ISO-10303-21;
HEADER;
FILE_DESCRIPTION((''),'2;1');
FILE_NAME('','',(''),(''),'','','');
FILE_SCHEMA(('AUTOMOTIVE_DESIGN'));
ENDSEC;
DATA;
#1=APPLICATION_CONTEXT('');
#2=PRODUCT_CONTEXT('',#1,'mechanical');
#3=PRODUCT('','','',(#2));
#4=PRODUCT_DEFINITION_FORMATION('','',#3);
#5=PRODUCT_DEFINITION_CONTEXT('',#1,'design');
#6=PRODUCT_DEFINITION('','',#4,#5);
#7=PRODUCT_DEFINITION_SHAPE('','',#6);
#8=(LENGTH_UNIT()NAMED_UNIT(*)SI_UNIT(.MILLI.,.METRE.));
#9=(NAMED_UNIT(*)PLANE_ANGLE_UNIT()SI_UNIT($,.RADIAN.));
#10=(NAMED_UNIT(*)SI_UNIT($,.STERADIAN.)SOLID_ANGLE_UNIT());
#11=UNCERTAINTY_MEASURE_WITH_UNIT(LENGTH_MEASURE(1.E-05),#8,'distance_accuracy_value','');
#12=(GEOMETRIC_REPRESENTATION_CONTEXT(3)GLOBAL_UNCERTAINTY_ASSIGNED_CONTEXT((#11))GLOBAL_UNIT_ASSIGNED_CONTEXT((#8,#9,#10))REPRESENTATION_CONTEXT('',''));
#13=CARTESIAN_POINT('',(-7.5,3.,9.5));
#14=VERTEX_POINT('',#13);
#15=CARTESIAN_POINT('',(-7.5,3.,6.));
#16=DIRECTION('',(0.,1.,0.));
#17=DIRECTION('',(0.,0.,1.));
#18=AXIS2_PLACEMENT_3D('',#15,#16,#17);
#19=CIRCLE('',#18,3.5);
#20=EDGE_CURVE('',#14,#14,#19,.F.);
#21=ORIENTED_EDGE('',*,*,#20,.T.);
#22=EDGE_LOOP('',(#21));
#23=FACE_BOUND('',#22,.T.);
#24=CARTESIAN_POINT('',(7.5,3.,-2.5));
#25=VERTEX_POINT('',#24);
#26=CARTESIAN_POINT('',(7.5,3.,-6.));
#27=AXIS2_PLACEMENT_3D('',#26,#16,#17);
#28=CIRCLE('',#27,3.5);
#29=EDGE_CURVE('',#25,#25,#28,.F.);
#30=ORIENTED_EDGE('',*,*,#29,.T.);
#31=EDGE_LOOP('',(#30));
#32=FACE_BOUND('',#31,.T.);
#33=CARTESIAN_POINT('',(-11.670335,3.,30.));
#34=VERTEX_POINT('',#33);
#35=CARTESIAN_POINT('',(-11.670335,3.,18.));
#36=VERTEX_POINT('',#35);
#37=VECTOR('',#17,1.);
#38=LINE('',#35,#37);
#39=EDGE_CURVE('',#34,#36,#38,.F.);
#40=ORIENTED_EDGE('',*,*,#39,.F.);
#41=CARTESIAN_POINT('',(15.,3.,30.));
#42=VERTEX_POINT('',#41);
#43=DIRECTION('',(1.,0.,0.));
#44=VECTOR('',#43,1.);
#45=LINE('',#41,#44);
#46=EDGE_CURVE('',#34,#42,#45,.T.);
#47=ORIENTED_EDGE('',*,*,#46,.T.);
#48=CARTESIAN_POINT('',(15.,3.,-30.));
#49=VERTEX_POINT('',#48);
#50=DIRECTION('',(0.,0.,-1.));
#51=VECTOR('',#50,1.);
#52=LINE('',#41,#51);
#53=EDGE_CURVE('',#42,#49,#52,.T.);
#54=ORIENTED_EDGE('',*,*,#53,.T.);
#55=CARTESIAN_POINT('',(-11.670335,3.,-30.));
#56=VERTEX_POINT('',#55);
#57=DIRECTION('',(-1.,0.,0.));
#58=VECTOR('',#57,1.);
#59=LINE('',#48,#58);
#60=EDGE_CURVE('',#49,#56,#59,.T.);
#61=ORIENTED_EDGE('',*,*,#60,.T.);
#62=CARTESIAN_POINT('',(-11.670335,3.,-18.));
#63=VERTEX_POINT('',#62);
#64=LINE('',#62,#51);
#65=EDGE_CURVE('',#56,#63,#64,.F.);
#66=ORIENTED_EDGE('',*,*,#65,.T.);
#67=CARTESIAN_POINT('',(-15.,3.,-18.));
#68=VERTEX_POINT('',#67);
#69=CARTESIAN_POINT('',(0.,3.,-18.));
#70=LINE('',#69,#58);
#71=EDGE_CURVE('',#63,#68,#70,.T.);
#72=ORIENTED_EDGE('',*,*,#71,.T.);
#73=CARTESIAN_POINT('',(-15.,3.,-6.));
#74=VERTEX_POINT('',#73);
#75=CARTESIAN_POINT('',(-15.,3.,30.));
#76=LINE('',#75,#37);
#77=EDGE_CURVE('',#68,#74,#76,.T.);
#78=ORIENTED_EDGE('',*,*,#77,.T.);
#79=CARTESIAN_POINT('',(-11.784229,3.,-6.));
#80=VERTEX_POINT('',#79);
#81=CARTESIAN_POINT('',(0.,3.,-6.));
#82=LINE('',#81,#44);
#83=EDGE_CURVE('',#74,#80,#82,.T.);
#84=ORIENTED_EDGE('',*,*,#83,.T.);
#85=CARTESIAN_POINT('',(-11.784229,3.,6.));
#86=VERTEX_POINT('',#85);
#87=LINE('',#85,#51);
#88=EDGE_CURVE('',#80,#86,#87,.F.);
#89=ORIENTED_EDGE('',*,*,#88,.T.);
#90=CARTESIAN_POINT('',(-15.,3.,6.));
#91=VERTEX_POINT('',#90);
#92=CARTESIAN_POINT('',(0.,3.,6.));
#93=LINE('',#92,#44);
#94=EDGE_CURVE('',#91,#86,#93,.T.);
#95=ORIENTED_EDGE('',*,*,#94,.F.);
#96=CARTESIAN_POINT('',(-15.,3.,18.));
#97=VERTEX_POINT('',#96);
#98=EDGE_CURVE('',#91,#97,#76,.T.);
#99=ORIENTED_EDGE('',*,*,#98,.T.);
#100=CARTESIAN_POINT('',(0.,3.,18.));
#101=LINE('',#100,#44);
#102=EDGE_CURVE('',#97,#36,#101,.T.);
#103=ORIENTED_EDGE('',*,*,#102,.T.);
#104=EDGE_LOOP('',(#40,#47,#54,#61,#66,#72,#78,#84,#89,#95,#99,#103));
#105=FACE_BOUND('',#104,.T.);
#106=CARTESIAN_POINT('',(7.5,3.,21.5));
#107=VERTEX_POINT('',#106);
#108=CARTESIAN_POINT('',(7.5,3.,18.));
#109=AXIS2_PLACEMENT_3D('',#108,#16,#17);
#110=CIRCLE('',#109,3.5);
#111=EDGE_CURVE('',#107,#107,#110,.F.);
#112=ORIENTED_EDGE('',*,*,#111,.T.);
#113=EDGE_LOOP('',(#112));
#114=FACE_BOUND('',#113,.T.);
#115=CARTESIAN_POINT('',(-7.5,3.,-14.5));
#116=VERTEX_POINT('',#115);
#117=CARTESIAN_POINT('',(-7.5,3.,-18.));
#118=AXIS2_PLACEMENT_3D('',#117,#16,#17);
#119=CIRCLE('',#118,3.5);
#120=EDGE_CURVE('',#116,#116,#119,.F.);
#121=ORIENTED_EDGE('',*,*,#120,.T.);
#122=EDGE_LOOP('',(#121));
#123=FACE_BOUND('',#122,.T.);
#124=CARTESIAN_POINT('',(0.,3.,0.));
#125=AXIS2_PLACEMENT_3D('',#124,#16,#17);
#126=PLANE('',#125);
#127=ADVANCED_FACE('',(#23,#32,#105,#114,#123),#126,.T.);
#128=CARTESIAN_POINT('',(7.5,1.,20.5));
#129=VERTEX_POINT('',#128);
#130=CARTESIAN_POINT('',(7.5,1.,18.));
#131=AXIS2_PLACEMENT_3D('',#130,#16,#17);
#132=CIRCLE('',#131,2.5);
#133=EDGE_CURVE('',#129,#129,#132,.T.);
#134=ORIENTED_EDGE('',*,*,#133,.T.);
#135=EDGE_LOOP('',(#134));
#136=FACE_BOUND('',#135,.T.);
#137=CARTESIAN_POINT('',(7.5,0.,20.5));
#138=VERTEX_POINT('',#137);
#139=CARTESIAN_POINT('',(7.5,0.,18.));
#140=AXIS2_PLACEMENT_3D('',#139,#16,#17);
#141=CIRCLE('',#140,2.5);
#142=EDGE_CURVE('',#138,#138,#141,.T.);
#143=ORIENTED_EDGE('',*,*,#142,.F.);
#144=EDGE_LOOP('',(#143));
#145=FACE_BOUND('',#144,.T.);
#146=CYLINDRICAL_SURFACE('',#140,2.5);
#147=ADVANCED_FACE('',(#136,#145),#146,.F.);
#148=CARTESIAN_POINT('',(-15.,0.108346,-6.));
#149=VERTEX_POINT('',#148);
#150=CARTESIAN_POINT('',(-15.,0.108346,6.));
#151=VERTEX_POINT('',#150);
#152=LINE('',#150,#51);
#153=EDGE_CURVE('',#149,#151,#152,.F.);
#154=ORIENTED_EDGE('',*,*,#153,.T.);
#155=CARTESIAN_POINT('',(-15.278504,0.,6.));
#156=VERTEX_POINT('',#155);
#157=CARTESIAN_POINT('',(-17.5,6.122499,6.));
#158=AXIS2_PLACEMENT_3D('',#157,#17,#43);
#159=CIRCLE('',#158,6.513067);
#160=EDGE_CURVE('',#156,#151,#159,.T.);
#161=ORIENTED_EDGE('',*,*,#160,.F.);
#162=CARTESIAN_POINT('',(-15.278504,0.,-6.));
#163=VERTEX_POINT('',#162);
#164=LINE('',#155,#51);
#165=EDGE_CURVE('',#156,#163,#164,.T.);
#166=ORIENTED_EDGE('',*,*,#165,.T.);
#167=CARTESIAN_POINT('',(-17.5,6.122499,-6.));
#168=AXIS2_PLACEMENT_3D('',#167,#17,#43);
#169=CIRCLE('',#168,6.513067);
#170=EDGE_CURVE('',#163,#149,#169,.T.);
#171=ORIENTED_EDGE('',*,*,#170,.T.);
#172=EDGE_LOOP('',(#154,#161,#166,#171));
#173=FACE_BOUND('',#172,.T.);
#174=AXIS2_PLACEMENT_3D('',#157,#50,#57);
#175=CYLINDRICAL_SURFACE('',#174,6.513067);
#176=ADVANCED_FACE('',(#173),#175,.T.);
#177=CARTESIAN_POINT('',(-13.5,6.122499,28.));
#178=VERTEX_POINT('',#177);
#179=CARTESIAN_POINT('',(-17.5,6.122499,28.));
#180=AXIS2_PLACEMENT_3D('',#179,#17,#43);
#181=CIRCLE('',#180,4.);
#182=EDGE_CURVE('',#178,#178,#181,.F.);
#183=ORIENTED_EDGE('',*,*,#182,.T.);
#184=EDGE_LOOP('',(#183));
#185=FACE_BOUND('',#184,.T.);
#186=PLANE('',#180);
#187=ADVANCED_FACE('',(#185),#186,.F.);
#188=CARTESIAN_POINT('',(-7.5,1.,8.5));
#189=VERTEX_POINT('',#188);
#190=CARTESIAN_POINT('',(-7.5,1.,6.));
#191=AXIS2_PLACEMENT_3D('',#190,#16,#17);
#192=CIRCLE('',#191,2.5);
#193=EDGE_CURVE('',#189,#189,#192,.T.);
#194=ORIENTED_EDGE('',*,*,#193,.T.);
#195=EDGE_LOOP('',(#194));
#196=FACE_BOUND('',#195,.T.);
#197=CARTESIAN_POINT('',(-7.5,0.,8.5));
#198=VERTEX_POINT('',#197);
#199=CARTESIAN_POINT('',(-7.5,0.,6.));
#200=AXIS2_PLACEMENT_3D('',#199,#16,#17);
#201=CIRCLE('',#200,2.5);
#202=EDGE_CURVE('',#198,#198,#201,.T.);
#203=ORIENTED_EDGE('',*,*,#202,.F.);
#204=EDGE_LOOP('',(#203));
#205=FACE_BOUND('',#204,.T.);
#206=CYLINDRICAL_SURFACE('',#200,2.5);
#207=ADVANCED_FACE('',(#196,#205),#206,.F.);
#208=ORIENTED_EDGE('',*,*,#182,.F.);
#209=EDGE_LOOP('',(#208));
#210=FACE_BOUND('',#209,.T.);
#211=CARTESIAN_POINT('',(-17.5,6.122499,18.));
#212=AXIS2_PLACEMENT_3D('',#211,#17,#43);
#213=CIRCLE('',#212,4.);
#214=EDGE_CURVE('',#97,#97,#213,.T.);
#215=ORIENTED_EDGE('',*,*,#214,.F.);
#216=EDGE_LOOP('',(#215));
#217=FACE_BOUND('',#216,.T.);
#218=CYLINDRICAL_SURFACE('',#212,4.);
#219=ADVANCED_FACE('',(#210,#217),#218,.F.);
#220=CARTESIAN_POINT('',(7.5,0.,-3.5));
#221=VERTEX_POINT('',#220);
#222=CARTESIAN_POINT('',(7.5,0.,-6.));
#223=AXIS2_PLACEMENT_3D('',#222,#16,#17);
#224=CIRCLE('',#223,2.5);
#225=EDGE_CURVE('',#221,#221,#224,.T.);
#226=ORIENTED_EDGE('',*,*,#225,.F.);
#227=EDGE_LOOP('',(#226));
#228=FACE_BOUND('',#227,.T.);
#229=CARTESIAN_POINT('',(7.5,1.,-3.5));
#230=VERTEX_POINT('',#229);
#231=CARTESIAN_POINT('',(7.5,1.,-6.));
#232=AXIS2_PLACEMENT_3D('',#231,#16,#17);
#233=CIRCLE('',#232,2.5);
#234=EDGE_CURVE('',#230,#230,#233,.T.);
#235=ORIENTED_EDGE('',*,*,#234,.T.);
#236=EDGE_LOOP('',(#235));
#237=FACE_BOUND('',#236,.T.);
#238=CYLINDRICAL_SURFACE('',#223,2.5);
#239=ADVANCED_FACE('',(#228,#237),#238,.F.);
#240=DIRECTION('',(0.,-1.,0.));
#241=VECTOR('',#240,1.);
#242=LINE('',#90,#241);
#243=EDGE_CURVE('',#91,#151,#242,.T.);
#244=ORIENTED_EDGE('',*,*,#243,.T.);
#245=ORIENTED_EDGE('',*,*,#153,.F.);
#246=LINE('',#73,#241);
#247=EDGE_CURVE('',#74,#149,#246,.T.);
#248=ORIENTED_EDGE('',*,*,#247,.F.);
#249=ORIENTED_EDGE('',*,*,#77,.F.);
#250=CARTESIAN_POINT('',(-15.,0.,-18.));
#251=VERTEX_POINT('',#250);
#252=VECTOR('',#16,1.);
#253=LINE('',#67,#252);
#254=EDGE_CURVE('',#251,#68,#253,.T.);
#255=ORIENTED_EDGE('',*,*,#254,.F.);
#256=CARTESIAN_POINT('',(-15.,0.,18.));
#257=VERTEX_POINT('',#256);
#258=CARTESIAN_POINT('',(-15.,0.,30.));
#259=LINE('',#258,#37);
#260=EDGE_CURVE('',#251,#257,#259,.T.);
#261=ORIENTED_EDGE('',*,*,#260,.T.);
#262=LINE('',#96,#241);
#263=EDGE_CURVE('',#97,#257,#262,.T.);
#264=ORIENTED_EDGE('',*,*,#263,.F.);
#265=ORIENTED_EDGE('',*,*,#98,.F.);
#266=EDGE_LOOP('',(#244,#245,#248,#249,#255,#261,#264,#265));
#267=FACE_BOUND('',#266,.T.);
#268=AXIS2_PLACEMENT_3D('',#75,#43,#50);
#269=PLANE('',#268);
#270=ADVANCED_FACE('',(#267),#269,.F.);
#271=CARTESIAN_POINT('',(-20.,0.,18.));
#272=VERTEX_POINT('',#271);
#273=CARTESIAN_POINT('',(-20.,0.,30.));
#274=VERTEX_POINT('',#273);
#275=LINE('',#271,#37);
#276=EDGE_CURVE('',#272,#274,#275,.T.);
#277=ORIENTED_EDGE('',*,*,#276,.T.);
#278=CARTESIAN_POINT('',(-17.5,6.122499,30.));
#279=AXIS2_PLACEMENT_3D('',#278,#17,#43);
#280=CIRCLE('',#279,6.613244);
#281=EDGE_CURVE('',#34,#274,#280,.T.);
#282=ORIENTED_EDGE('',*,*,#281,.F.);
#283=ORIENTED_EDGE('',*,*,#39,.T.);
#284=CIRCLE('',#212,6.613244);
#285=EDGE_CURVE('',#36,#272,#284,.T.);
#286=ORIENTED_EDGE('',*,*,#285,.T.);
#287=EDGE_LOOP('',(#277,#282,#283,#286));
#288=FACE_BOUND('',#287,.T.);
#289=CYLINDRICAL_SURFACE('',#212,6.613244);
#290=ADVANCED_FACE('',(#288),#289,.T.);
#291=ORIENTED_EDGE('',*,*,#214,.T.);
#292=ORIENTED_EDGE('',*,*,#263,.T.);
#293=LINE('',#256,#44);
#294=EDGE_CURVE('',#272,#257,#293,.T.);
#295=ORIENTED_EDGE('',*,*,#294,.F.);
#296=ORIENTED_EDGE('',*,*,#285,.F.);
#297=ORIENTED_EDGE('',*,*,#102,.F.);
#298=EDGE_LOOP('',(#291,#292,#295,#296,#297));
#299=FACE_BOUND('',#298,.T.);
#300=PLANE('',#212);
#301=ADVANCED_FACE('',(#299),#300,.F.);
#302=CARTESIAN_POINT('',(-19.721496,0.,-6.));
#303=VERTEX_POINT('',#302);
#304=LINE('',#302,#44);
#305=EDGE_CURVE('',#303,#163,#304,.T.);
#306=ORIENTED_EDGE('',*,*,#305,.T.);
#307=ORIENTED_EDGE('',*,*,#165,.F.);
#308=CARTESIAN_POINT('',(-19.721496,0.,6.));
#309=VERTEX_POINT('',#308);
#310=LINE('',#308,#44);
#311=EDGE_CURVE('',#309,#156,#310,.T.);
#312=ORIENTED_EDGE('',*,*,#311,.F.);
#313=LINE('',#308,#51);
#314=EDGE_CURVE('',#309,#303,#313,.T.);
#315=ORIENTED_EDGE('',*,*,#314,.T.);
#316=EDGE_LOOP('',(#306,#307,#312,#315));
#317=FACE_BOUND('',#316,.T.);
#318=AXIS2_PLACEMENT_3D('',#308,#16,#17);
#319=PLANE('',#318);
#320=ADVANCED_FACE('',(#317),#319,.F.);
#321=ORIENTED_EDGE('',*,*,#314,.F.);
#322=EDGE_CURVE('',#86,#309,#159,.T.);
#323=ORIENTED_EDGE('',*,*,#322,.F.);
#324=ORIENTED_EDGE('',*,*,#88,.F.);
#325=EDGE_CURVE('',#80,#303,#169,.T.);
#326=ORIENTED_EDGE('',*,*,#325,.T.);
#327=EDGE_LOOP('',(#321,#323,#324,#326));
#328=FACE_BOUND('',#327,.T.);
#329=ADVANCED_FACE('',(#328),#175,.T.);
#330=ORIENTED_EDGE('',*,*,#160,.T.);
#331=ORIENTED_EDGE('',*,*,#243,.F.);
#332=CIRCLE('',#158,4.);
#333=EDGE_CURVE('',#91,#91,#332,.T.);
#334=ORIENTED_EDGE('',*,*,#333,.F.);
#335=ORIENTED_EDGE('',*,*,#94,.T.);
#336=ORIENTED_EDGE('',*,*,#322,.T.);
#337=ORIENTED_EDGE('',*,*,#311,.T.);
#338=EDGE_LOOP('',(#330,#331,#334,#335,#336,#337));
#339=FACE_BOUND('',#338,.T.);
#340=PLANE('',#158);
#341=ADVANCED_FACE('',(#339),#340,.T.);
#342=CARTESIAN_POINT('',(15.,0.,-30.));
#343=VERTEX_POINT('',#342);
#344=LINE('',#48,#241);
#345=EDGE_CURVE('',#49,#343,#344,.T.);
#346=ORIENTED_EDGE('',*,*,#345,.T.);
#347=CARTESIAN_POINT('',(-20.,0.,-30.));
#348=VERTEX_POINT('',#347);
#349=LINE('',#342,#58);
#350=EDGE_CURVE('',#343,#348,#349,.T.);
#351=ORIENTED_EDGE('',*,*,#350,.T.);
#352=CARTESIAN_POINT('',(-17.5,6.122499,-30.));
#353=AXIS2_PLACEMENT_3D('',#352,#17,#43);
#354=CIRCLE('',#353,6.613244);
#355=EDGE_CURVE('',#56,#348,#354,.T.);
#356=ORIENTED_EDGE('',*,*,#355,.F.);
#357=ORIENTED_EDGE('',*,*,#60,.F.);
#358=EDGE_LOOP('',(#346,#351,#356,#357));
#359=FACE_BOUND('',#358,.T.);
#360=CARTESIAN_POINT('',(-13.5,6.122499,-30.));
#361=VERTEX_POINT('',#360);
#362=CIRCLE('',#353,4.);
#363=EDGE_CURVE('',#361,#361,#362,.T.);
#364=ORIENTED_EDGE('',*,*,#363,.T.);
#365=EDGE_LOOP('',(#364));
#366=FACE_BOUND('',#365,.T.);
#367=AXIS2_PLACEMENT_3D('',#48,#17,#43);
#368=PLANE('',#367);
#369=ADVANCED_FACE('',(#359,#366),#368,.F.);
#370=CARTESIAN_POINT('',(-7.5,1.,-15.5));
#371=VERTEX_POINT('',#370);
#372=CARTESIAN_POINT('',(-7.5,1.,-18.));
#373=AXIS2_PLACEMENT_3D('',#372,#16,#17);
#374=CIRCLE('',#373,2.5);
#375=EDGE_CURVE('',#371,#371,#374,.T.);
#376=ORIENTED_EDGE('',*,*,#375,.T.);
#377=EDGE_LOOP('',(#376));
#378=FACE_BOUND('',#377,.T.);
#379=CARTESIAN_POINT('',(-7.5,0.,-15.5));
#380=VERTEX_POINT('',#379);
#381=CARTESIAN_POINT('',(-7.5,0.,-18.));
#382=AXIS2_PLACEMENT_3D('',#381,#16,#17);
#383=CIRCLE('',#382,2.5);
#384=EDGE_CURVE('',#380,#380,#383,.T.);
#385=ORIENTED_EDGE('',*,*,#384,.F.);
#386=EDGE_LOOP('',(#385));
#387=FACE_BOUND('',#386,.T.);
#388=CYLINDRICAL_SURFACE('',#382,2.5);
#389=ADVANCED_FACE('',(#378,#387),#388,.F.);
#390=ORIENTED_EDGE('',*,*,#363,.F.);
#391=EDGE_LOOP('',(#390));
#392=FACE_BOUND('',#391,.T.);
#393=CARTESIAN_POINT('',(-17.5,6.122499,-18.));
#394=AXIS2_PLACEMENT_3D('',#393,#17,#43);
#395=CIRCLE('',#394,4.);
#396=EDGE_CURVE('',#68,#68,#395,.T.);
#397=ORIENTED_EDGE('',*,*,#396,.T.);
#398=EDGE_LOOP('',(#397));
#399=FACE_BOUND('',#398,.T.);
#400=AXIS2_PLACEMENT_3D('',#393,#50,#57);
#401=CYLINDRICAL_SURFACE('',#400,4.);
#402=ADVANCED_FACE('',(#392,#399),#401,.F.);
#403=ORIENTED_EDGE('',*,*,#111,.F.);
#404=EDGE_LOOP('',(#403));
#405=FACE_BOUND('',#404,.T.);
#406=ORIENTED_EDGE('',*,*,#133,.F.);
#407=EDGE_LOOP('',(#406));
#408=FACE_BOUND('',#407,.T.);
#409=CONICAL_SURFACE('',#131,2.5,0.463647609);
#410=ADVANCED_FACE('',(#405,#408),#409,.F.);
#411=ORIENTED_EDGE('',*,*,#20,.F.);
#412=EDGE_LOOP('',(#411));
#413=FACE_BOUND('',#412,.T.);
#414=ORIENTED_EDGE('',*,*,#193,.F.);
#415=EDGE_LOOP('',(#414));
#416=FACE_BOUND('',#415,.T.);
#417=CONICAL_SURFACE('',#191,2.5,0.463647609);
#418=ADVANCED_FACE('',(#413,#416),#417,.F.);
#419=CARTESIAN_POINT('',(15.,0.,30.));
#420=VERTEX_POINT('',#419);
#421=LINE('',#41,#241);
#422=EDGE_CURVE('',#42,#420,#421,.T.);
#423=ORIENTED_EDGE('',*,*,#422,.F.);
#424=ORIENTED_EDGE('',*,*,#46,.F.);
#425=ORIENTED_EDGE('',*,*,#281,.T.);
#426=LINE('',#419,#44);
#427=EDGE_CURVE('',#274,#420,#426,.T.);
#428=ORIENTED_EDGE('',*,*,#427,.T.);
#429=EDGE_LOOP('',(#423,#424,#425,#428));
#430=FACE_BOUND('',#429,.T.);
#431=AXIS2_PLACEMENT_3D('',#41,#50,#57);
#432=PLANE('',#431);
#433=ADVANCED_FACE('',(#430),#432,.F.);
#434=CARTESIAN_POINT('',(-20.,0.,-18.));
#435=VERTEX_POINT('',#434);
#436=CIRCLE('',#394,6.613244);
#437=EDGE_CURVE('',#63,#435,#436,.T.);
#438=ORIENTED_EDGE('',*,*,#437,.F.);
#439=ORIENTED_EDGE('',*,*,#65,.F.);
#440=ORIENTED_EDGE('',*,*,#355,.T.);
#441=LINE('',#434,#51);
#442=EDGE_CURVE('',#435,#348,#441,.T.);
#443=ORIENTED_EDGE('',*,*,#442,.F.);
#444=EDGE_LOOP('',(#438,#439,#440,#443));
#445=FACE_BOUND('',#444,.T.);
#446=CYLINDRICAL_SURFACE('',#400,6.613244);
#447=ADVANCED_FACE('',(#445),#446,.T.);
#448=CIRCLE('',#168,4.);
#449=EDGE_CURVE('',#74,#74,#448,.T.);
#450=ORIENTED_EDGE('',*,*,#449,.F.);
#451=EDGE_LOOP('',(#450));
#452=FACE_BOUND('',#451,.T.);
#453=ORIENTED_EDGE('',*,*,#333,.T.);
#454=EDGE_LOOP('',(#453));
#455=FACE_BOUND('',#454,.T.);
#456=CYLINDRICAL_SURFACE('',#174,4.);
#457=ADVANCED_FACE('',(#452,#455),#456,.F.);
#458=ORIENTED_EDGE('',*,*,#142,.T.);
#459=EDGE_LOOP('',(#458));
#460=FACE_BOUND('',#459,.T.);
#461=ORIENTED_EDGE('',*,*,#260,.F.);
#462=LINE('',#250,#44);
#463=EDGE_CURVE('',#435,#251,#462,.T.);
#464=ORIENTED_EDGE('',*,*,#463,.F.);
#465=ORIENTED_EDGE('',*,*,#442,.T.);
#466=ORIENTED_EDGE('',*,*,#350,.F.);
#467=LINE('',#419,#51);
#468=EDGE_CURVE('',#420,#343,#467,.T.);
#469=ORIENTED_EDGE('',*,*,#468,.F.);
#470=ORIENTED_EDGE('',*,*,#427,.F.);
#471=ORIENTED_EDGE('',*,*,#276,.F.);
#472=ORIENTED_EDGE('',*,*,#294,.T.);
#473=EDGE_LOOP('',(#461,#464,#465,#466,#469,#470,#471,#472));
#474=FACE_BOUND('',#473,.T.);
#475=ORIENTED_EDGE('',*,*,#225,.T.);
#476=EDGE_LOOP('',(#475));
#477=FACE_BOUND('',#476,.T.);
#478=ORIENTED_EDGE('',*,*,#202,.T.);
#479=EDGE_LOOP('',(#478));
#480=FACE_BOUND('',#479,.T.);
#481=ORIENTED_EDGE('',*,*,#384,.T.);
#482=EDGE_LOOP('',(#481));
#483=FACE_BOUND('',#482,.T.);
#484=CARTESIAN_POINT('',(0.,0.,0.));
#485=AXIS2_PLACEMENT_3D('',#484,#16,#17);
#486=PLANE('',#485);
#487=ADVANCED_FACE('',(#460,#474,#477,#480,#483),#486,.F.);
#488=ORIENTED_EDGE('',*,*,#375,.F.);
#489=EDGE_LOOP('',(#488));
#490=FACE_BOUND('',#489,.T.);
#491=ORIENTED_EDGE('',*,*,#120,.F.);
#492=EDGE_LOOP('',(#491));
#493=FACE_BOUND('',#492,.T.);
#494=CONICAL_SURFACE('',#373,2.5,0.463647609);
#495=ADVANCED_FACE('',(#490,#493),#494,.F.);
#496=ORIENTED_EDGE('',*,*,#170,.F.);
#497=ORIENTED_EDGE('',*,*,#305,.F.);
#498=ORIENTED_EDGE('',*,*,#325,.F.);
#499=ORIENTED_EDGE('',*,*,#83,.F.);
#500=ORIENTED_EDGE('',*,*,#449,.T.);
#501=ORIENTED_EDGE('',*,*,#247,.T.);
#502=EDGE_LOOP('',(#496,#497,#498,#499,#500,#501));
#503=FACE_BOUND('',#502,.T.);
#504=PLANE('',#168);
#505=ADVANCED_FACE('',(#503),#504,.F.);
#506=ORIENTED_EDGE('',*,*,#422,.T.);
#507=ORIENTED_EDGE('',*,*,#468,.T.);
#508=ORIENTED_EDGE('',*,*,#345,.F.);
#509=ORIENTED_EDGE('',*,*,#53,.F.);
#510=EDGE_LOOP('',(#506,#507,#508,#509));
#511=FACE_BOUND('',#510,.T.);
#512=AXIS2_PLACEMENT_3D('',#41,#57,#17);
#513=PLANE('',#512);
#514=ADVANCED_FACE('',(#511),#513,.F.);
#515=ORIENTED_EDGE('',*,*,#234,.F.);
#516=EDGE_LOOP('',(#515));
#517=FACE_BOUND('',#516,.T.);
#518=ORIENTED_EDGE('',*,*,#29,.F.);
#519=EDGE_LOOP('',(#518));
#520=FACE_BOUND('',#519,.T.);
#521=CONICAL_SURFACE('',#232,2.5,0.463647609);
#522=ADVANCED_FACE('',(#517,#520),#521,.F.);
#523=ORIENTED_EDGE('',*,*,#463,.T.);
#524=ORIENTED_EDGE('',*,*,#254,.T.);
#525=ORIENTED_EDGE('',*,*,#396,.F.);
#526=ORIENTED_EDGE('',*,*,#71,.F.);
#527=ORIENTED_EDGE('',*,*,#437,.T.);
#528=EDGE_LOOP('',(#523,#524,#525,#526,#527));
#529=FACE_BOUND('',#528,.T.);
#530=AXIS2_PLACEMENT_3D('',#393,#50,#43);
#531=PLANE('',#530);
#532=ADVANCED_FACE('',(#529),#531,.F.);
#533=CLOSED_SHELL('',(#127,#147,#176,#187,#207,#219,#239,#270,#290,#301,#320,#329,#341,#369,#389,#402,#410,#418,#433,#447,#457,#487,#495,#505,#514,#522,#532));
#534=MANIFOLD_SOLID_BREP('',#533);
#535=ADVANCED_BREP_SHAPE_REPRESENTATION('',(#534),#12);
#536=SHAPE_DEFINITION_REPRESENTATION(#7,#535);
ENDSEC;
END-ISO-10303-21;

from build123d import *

# Parameters (mm, degrees)
SKETCH1_W           = 30
SKETCH1_H           = 60
BOSS_EXTRUDE1_DEPTH = 3
SKETCH2_R           = 4
BOSS_EXTRUDE2_DEPTH = 12
SKETCH3_R           = 4
BOSS_EXTRUDE3_DEPTH = 6
SKETCH8_R           = 2.5
CUT_EXTRUDE1_DEPTH  = 4
CHAMFER1_SIZE       = 1
CHAMFER1_SIZE2      = 2
SKETCH9_R           = 4
BOSS_EXTRUDE4_DEPTH = 2


with BuildPart() as part:
    # Sketch1 → Boss-Extrude1 (new body)
    with BuildSketch(Plane(origin=(0, 0, 0), x_dir=(1, 0, 0), z_dir=(0, 1, 0))):
        Rectangle(SKETCH1_W, SKETCH1_H)
    extrude(amount=BOSS_EXTRUDE1_DEPTH)

    # Sketch2 → Boss-Extrude2 (add)
    with BuildSketch(Plane.XY.offset(30)):
        with BuildLine():
            Line((-15, 0), (-20, 0))
            ThreePointArc((-20, 0), (-17.5, 12.735742832), (-15, 0))
        make_face()
        with Locations((-17.5, 6.122498999)):
            Circle(SKETCH2_R, mode=Mode.SUBTRACT)
    boss_extrude2 = extrude(amount=-BOSS_EXTRUDE2_DEPTH)

    # Mirror1: Boss-Extrude2 across plane
    add(boss_extrude2.mirror(Plane.XY))

    # Sketch3 → Boss-Extrude3 (add, symmetric)
    with BuildSketch(Plane.XY):
        with BuildLine():
            Line((-19.72149558, 0), (-15.27850442, 0))
            ThreePointArc((-15.27850442, 0), (-17.5, 12.635565605), (-19.72149558, 0))
        make_face()
        with Locations((-17.5, 6.122498999)):
            Circle(SKETCH3_R, mode=Mode.SUBTRACT)
    extrude(amount=BOSS_EXTRUDE3_DEPTH, both=True)

    # Sketch8 → Cut-Extrude1 (cut, through all)
    with BuildSketch(Plane(origin=(0, 3, 0), x_dir=(1, 0, 0), z_dir=(0, 1, 0))):
        with Locations((7.5, -18)):
            Circle(SKETCH8_R)
        with Locations((-7.5, -6)):
            Circle(SKETCH8_R)
        with Locations((7.5, 6)):
            Circle(SKETCH8_R)
        with Locations((-7.5, 18)):
            Circle(SKETCH8_R)
    extrude(amount=-CUT_EXTRUDE1_DEPTH, mode=Mode.SUBTRACT)

    # Chamfer1
    chamfer1_edges = [part.edges().sort_by_distance(p)[0] for p in [
        (-10, 3, -18),
        (-10, 3, 6),
        (5, 3, 18),
        (5, 3, -6),
    ]]
    chamfer1_side = [part.faces().sort_by_distance(p)[0] for p in [
        (0.987193721, 3, 0),
    ]]
    chamfer(chamfer1_edges, length=CHAMFER1_SIZE, length2=CHAMFER1_SIZE2, reference=chamfer1_side[0])

    # Sketch9 → Boss-Extrude4 (add)
    with BuildSketch(Plane.XY.offset(30)):
        with Locations((-17.5, 6.122498999)):
            Circle(SKETCH9_R)
    extrude(amount=-BOSS_EXTRUDE4_DEPTH)


solid = part.part
